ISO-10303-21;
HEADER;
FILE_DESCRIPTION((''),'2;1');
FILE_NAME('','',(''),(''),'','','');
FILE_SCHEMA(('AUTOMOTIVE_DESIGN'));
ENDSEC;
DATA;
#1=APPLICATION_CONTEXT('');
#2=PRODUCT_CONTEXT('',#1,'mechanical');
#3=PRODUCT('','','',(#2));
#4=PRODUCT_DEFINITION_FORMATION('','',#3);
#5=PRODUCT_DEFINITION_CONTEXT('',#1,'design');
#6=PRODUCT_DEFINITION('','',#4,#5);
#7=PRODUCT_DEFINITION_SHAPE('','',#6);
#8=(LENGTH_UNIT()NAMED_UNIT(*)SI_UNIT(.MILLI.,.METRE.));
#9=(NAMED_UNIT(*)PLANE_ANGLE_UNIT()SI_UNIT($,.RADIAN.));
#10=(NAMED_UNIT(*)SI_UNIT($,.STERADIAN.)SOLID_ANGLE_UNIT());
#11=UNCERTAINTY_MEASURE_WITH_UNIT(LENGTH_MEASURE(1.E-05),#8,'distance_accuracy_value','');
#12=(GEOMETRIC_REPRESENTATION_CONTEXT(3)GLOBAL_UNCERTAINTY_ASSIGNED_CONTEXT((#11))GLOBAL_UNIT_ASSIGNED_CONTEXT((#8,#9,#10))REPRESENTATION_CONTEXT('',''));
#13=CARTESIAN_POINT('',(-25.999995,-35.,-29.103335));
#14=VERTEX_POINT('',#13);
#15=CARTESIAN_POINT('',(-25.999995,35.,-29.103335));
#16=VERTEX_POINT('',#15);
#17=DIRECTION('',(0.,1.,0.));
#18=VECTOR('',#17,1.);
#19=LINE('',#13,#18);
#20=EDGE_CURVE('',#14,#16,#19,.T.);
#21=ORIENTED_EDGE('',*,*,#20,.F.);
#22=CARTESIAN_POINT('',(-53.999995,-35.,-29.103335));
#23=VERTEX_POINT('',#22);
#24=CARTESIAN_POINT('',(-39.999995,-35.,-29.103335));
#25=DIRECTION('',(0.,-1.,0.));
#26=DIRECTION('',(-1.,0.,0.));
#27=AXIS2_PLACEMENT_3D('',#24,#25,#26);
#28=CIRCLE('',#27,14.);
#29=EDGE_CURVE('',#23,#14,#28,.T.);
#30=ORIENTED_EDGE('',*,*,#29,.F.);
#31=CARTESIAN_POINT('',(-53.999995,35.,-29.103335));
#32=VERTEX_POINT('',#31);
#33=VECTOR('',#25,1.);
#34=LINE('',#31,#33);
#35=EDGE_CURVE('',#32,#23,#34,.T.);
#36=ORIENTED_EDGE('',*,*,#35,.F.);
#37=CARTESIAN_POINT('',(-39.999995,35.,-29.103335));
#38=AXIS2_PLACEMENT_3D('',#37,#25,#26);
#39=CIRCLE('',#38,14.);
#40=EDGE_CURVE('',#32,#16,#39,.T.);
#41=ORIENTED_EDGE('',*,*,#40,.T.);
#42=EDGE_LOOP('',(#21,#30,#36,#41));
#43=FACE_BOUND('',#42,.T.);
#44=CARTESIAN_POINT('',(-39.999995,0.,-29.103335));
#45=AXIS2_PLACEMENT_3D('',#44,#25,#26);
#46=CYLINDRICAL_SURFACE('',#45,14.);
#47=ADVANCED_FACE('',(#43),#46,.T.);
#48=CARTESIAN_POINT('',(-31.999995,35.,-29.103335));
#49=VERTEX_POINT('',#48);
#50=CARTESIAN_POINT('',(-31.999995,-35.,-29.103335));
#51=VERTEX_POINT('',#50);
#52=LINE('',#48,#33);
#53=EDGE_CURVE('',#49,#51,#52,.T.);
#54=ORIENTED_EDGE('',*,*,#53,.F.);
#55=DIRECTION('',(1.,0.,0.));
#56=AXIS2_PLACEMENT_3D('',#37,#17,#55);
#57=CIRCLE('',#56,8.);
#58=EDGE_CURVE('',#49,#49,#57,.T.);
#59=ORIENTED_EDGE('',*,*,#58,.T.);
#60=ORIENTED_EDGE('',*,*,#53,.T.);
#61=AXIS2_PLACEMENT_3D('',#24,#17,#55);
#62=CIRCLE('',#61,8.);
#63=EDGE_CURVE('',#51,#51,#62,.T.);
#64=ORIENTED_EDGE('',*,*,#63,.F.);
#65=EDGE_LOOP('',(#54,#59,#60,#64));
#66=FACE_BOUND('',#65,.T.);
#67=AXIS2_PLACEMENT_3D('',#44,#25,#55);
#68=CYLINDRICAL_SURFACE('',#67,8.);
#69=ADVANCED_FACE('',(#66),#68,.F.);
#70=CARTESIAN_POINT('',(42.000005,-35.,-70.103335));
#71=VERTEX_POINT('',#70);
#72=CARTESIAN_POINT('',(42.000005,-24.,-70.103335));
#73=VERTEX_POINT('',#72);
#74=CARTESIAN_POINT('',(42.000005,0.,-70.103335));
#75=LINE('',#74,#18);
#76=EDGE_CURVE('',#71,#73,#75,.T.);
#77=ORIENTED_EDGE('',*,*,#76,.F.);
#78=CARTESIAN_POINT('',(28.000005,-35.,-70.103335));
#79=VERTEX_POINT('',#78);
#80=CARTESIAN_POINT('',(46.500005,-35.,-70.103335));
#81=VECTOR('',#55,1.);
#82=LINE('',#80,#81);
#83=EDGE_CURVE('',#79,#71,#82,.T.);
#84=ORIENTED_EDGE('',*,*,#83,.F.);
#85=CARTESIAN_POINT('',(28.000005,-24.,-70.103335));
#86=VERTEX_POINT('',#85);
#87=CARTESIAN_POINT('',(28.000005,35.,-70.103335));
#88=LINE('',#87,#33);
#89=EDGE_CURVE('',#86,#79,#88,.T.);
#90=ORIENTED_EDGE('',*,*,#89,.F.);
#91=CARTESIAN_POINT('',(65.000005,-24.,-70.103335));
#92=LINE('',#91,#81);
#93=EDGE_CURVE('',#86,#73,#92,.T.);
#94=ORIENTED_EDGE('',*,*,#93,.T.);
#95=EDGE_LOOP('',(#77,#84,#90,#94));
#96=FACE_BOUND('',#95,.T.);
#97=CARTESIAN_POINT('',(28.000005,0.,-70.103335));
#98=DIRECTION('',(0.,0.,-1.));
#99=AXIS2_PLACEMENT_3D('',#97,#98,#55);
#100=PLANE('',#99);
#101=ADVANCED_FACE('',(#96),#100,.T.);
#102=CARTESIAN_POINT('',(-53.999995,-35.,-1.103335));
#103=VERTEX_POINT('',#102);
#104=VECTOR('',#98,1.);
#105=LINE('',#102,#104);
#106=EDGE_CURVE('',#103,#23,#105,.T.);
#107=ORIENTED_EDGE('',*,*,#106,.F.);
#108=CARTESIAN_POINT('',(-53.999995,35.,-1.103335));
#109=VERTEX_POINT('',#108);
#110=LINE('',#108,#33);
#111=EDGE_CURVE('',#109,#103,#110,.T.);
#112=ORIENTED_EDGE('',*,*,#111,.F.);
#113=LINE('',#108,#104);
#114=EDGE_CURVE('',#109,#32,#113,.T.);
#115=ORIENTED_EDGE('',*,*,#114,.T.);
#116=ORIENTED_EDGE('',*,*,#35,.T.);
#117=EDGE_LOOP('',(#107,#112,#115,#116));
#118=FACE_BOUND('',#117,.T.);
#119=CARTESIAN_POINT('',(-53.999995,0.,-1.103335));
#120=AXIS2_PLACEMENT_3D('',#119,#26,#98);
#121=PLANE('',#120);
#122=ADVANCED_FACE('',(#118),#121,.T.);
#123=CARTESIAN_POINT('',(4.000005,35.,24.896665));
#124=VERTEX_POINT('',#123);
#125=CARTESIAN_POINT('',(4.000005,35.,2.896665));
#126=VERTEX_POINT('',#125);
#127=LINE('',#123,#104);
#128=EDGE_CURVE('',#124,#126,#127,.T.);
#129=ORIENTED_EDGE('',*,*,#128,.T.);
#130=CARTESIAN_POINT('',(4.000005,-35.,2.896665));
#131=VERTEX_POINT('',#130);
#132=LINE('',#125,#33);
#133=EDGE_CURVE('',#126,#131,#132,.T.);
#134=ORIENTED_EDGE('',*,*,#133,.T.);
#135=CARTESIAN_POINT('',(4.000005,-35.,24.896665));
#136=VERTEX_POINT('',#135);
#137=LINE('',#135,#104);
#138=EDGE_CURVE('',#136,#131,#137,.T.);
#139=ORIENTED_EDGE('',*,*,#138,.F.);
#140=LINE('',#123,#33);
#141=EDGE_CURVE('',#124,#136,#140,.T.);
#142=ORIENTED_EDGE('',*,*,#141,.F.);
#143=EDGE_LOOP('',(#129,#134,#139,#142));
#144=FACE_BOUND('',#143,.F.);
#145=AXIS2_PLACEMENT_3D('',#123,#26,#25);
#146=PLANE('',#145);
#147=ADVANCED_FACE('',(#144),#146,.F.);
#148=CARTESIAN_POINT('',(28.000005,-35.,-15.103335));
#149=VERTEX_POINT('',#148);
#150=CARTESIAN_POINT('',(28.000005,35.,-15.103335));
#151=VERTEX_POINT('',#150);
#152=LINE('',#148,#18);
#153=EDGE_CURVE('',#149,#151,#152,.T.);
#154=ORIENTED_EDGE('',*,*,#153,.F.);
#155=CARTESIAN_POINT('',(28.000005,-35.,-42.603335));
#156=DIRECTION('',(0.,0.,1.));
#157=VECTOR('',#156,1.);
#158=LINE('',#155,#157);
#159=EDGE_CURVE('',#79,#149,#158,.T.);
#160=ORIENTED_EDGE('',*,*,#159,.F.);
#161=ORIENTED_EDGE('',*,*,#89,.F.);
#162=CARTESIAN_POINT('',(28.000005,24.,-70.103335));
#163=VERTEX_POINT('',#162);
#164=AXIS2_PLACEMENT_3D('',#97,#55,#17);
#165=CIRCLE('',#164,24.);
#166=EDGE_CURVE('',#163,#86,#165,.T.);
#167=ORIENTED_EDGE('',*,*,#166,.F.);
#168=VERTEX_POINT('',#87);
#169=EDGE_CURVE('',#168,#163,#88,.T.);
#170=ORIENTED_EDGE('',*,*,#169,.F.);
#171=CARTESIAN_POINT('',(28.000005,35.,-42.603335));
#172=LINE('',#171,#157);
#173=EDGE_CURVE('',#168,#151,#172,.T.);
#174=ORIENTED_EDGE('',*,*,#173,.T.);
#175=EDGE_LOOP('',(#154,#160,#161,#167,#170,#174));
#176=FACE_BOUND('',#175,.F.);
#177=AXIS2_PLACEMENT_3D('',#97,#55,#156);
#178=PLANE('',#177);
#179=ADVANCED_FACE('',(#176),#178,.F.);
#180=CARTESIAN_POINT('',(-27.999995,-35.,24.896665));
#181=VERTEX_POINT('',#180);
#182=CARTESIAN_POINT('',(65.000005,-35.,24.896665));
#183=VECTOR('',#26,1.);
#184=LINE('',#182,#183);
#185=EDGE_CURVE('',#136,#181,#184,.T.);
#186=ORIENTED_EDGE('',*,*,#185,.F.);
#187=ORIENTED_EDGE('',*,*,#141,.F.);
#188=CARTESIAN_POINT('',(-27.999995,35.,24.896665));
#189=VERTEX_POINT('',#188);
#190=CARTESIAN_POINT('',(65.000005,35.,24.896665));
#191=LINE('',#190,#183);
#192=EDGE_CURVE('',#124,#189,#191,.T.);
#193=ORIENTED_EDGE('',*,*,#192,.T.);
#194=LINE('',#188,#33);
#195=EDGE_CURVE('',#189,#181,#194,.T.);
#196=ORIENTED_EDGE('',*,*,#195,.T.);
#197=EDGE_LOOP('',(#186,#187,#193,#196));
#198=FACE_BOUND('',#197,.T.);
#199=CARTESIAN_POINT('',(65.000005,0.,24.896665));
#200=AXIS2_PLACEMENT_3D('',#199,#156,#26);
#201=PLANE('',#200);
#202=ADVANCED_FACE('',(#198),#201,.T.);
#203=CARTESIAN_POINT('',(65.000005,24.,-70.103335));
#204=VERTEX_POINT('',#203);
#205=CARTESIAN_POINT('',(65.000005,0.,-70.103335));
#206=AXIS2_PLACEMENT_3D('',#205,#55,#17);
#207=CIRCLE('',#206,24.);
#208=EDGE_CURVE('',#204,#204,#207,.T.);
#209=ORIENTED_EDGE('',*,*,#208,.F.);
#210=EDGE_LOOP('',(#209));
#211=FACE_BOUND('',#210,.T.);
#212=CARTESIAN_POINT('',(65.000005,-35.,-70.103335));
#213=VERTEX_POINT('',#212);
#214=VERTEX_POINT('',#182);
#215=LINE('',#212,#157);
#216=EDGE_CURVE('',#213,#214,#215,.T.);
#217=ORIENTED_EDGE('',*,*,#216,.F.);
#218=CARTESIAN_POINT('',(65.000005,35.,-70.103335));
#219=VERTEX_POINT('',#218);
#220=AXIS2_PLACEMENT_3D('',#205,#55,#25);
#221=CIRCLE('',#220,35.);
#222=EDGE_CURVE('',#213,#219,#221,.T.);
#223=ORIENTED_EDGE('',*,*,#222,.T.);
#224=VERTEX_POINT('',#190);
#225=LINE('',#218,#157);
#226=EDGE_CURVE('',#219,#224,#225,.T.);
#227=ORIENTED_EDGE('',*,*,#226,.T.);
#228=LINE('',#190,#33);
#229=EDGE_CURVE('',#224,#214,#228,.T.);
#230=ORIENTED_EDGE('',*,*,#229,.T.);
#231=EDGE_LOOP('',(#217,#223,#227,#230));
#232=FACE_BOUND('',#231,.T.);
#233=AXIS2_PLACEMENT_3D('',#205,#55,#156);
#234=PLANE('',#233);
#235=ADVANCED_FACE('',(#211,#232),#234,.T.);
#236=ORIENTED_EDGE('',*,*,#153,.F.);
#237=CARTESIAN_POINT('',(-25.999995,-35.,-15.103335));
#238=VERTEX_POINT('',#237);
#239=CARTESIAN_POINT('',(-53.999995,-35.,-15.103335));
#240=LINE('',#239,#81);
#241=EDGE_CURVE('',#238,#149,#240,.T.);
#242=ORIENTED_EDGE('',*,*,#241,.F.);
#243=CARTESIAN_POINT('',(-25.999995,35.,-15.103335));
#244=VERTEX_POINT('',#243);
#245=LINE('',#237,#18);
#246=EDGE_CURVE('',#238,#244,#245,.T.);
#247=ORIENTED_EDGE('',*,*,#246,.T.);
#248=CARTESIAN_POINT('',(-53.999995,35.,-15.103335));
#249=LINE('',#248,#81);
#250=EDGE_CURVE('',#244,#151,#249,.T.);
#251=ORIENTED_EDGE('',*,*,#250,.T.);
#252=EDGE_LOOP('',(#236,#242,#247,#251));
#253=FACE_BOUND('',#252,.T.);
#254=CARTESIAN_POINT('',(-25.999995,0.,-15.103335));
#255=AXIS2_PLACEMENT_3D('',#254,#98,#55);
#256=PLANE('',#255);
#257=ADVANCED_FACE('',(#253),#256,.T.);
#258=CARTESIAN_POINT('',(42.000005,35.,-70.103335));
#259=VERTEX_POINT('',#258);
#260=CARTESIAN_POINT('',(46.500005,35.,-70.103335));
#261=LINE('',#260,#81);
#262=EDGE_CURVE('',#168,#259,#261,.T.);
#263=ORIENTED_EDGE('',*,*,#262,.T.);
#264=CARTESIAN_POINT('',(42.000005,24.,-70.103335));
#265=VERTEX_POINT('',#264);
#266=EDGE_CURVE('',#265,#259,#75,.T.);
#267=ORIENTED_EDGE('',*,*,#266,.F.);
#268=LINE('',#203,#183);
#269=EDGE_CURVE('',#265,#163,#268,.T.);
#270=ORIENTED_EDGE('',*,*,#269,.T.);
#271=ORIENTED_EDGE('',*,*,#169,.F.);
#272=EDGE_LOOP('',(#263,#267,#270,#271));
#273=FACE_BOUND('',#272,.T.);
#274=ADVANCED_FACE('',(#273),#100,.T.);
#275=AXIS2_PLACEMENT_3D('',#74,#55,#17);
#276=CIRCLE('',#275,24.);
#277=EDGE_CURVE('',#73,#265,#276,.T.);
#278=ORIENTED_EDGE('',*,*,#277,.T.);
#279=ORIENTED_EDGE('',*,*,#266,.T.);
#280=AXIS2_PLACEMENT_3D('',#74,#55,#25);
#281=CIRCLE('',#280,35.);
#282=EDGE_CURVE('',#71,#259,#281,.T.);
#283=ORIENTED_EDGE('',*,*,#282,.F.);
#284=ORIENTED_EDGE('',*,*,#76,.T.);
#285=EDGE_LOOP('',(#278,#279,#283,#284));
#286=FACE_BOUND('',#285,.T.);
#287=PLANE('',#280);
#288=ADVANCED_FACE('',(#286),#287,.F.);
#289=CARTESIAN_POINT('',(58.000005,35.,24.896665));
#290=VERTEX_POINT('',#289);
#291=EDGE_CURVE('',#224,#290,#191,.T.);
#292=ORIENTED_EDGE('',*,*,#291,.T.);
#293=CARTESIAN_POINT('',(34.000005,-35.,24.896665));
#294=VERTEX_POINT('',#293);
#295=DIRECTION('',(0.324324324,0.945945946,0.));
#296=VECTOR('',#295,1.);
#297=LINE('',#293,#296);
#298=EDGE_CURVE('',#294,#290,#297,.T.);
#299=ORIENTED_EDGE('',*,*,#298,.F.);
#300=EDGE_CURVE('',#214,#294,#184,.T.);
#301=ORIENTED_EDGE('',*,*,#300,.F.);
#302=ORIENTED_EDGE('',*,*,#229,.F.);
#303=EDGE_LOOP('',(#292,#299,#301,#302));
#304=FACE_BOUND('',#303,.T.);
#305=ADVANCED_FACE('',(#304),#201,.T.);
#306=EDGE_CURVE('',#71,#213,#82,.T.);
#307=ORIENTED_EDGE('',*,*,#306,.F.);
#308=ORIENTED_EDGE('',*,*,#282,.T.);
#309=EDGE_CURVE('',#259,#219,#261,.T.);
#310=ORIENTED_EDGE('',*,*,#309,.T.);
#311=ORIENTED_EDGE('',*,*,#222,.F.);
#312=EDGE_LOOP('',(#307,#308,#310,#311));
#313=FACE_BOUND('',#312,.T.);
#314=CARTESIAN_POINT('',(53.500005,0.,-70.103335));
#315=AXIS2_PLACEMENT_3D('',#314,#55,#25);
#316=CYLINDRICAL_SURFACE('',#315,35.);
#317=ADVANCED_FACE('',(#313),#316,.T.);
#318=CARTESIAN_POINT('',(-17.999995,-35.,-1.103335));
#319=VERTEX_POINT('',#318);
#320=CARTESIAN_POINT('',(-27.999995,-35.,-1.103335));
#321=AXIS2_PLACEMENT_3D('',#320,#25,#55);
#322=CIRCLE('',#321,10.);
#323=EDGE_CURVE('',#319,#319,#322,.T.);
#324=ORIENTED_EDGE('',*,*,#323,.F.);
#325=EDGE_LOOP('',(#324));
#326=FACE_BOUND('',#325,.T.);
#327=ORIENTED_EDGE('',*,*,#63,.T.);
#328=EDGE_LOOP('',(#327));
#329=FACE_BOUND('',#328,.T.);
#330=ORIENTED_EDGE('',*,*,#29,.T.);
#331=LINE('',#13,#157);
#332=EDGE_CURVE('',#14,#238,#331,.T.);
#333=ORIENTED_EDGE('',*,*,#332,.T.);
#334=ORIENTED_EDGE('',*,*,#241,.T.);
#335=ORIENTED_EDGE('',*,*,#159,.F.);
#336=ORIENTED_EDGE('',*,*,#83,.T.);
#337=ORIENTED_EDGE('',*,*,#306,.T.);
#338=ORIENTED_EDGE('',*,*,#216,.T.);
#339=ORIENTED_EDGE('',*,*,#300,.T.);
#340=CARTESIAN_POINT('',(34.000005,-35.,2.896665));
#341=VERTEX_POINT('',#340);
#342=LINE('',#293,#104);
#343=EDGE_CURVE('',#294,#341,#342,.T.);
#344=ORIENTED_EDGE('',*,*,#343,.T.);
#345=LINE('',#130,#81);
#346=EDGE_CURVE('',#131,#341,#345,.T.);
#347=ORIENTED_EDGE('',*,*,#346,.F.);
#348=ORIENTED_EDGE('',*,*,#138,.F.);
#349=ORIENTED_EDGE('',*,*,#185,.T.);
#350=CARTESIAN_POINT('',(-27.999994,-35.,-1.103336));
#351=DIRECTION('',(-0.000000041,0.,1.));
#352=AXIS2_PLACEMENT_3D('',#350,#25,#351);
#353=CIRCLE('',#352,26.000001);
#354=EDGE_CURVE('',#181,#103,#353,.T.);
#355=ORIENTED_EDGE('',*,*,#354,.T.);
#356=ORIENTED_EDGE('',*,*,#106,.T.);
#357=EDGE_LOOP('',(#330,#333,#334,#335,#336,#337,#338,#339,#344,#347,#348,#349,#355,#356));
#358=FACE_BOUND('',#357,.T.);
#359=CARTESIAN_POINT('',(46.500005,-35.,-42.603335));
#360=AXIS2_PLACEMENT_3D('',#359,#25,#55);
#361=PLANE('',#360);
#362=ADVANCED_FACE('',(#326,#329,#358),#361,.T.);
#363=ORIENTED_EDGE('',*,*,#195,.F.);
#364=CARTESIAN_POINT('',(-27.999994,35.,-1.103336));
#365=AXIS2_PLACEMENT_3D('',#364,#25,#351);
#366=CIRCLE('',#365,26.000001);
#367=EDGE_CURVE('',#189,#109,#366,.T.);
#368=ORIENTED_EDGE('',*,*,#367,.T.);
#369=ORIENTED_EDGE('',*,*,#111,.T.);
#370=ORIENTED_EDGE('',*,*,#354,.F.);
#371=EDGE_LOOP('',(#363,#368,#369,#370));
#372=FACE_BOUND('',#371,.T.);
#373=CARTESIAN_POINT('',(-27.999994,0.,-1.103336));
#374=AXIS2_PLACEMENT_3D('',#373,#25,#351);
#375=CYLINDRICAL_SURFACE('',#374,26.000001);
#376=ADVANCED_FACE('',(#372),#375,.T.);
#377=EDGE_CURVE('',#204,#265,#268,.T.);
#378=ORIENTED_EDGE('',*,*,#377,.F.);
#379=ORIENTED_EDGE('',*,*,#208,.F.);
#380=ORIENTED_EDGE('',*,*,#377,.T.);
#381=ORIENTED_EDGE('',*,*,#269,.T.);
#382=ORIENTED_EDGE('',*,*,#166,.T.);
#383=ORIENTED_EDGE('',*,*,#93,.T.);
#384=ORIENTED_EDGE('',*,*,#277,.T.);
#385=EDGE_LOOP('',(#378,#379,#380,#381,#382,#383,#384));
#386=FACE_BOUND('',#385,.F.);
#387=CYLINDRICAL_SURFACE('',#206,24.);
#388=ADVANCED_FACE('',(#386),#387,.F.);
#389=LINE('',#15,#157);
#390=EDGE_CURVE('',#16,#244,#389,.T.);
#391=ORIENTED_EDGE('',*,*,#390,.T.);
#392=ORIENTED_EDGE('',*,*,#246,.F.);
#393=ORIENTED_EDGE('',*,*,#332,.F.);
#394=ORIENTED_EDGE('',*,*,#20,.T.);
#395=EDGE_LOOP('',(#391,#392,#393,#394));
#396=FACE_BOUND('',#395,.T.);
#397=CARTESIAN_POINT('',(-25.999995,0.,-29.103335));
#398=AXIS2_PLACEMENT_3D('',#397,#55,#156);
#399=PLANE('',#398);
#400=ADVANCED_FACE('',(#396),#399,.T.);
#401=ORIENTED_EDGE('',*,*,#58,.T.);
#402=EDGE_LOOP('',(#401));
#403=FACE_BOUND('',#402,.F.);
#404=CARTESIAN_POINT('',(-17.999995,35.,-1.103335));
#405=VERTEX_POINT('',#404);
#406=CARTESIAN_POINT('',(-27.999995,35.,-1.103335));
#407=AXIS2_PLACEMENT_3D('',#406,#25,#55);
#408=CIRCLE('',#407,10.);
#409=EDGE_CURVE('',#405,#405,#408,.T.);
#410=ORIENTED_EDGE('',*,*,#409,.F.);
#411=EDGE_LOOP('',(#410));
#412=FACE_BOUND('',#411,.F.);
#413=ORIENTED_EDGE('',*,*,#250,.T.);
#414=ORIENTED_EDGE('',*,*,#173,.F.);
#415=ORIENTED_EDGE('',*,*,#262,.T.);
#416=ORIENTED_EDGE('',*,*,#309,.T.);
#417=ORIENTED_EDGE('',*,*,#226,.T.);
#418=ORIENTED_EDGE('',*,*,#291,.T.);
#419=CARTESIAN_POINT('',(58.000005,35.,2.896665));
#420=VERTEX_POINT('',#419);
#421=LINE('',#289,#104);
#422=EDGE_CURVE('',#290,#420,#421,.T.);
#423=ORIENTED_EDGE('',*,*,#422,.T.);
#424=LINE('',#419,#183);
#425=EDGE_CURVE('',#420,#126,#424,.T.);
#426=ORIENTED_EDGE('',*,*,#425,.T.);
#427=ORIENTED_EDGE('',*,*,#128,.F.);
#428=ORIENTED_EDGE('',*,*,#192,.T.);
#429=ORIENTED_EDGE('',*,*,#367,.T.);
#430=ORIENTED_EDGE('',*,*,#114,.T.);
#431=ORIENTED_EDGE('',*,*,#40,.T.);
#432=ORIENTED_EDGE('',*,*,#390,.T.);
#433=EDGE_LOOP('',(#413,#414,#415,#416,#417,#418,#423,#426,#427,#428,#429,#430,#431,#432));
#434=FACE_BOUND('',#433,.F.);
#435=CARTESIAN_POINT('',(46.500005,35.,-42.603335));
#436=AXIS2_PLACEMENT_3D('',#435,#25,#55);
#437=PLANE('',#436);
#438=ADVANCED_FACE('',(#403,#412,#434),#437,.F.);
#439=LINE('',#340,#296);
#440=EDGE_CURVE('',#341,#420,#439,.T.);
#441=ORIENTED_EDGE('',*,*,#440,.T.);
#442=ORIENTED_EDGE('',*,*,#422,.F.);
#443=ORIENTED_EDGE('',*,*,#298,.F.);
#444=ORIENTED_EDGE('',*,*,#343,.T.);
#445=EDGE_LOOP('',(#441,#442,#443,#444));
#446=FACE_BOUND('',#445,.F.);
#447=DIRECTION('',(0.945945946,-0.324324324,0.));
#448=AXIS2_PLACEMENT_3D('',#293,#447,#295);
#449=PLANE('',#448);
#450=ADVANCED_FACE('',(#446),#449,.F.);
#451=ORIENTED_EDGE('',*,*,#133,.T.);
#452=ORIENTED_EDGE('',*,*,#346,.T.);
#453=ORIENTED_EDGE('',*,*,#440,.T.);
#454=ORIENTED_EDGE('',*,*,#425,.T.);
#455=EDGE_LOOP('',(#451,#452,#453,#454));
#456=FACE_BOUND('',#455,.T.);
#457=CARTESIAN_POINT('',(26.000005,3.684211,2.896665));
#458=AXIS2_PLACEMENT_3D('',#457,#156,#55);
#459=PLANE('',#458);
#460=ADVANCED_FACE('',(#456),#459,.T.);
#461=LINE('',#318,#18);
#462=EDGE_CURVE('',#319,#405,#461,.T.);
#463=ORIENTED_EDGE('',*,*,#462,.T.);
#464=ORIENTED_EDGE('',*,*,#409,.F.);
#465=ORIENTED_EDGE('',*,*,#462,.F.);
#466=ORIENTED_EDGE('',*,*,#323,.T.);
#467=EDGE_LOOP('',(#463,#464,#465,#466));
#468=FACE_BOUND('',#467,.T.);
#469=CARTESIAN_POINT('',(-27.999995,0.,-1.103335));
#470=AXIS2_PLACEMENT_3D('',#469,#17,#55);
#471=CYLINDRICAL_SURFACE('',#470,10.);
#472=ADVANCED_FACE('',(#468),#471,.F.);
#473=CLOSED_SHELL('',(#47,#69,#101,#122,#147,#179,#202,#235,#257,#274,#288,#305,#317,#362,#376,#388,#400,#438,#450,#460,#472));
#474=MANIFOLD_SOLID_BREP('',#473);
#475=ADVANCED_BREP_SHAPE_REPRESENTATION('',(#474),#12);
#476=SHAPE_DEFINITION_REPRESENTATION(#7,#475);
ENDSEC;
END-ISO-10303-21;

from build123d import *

# Parameters (mm, degrees)
F0_W     = 37
F0_H     = 55
F0_R     = 10
F1_DEPTH = 35
F3_DEPTH = 22
F4_W     = 23
F4_H     = 35
F6_R     = 24
F7_DEPTH = 37


with BuildPart() as f1:
    # F0 (on Front) → F1 (new body, symmetric)
    with BuildSketch(Plane.XZ):
        with Locations((46.500005, -42.603335)):
            Rectangle(F0_W, F0_H)
        with BuildLine():
            Line((28.000005, -15.103335), (65.000005, -15.103335))
            Line((65.000005, -15.103335), (65.000005, 24.896665))
            Line((65.000005, 24.896665), (-27.999995, 24.896665))
            ThreePointArc((-27.999995, 24.896665), (-46.384771, 17.281441), (-53.999995, -1.103335))
            Line((-53.999995, -1.103335), (-53.999995, -15.103335))
            Line((-53.999995, -15.103335), (-25.999995, -15.103335))
            Line((-25.999995, -15.103335), (28.000005, -15.103335))
        make_face()
        with Locations((-27.999995, -1.103335)):
            Circle(F0_R, mode=Mode.SUBTRACT)
        with BuildLine():
            Line((-25.999995, -29.103335), (-25.999995, -15.103335))
            Line((-25.999995, -15.103335), (-53.999995, -15.103335))
            Line((-53.999995, -15.103335), (-53.999995, -29.103335))
            Line((-53.999995, -29.103335), (-47.999995, -29.103335))
            ThreePointArc((-47.999995, -29.103335), (-39.999995, -21.103335), (-31.999995, -29.103335))
            Line((-31.999995, -29.103335), (-25.999995, -29.103335))
        make_face()
        with BuildLine():
            ThreePointArc((-53.999995, -29.103335), (-39.999995, -43.103335), (-25.999995, -29.103335))
            Line((-25.999995, -29.103335), (-31.999995, -29.103335))
            ThreePointArc((-31.999995, -29.103335), (-39.999995, -37.103335), (-47.999995, -29.103335))
            Line((-47.999995, -29.103335), (-53.999995, -29.103335))
        make_face()
    extrude(amount=F1_DEPTH, both=True)

    # F2 (on face) → F3 (cut)
    with BuildSketch(Plane.XY.offset(24.896665)):
        Polygon((58.000005, 35), (4.000005, 35), (4.000005, -35), (34.000005, -35), align=None)
    extrude(amount=-F3_DEPTH, mode=Mode.SUBTRACT)

    # F4 (on face) → F5 (revolve)
    with BuildSketch(Plane(origin=(0, 0, -70.103335), x_dir=(1, 0, 0), z_dir=(0, 0, -1))):
        with Locations((53.500005, 17.5)):
            Rectangle(F4_W, F4_H)
    revolve(axis=Axis((53.500005, 0, -70.103335), (1, 0, 0)))

    # F6 (on face) → F7 (cut)
    with BuildSketch(Plane.YZ.offset(65.000005)):
        with Locations((0, -70.103335)):
            Circle(F6_R)
    extrude(amount=-F7_DEPTH, mode=Mode.SUBTRACT)


solid = f1.part
